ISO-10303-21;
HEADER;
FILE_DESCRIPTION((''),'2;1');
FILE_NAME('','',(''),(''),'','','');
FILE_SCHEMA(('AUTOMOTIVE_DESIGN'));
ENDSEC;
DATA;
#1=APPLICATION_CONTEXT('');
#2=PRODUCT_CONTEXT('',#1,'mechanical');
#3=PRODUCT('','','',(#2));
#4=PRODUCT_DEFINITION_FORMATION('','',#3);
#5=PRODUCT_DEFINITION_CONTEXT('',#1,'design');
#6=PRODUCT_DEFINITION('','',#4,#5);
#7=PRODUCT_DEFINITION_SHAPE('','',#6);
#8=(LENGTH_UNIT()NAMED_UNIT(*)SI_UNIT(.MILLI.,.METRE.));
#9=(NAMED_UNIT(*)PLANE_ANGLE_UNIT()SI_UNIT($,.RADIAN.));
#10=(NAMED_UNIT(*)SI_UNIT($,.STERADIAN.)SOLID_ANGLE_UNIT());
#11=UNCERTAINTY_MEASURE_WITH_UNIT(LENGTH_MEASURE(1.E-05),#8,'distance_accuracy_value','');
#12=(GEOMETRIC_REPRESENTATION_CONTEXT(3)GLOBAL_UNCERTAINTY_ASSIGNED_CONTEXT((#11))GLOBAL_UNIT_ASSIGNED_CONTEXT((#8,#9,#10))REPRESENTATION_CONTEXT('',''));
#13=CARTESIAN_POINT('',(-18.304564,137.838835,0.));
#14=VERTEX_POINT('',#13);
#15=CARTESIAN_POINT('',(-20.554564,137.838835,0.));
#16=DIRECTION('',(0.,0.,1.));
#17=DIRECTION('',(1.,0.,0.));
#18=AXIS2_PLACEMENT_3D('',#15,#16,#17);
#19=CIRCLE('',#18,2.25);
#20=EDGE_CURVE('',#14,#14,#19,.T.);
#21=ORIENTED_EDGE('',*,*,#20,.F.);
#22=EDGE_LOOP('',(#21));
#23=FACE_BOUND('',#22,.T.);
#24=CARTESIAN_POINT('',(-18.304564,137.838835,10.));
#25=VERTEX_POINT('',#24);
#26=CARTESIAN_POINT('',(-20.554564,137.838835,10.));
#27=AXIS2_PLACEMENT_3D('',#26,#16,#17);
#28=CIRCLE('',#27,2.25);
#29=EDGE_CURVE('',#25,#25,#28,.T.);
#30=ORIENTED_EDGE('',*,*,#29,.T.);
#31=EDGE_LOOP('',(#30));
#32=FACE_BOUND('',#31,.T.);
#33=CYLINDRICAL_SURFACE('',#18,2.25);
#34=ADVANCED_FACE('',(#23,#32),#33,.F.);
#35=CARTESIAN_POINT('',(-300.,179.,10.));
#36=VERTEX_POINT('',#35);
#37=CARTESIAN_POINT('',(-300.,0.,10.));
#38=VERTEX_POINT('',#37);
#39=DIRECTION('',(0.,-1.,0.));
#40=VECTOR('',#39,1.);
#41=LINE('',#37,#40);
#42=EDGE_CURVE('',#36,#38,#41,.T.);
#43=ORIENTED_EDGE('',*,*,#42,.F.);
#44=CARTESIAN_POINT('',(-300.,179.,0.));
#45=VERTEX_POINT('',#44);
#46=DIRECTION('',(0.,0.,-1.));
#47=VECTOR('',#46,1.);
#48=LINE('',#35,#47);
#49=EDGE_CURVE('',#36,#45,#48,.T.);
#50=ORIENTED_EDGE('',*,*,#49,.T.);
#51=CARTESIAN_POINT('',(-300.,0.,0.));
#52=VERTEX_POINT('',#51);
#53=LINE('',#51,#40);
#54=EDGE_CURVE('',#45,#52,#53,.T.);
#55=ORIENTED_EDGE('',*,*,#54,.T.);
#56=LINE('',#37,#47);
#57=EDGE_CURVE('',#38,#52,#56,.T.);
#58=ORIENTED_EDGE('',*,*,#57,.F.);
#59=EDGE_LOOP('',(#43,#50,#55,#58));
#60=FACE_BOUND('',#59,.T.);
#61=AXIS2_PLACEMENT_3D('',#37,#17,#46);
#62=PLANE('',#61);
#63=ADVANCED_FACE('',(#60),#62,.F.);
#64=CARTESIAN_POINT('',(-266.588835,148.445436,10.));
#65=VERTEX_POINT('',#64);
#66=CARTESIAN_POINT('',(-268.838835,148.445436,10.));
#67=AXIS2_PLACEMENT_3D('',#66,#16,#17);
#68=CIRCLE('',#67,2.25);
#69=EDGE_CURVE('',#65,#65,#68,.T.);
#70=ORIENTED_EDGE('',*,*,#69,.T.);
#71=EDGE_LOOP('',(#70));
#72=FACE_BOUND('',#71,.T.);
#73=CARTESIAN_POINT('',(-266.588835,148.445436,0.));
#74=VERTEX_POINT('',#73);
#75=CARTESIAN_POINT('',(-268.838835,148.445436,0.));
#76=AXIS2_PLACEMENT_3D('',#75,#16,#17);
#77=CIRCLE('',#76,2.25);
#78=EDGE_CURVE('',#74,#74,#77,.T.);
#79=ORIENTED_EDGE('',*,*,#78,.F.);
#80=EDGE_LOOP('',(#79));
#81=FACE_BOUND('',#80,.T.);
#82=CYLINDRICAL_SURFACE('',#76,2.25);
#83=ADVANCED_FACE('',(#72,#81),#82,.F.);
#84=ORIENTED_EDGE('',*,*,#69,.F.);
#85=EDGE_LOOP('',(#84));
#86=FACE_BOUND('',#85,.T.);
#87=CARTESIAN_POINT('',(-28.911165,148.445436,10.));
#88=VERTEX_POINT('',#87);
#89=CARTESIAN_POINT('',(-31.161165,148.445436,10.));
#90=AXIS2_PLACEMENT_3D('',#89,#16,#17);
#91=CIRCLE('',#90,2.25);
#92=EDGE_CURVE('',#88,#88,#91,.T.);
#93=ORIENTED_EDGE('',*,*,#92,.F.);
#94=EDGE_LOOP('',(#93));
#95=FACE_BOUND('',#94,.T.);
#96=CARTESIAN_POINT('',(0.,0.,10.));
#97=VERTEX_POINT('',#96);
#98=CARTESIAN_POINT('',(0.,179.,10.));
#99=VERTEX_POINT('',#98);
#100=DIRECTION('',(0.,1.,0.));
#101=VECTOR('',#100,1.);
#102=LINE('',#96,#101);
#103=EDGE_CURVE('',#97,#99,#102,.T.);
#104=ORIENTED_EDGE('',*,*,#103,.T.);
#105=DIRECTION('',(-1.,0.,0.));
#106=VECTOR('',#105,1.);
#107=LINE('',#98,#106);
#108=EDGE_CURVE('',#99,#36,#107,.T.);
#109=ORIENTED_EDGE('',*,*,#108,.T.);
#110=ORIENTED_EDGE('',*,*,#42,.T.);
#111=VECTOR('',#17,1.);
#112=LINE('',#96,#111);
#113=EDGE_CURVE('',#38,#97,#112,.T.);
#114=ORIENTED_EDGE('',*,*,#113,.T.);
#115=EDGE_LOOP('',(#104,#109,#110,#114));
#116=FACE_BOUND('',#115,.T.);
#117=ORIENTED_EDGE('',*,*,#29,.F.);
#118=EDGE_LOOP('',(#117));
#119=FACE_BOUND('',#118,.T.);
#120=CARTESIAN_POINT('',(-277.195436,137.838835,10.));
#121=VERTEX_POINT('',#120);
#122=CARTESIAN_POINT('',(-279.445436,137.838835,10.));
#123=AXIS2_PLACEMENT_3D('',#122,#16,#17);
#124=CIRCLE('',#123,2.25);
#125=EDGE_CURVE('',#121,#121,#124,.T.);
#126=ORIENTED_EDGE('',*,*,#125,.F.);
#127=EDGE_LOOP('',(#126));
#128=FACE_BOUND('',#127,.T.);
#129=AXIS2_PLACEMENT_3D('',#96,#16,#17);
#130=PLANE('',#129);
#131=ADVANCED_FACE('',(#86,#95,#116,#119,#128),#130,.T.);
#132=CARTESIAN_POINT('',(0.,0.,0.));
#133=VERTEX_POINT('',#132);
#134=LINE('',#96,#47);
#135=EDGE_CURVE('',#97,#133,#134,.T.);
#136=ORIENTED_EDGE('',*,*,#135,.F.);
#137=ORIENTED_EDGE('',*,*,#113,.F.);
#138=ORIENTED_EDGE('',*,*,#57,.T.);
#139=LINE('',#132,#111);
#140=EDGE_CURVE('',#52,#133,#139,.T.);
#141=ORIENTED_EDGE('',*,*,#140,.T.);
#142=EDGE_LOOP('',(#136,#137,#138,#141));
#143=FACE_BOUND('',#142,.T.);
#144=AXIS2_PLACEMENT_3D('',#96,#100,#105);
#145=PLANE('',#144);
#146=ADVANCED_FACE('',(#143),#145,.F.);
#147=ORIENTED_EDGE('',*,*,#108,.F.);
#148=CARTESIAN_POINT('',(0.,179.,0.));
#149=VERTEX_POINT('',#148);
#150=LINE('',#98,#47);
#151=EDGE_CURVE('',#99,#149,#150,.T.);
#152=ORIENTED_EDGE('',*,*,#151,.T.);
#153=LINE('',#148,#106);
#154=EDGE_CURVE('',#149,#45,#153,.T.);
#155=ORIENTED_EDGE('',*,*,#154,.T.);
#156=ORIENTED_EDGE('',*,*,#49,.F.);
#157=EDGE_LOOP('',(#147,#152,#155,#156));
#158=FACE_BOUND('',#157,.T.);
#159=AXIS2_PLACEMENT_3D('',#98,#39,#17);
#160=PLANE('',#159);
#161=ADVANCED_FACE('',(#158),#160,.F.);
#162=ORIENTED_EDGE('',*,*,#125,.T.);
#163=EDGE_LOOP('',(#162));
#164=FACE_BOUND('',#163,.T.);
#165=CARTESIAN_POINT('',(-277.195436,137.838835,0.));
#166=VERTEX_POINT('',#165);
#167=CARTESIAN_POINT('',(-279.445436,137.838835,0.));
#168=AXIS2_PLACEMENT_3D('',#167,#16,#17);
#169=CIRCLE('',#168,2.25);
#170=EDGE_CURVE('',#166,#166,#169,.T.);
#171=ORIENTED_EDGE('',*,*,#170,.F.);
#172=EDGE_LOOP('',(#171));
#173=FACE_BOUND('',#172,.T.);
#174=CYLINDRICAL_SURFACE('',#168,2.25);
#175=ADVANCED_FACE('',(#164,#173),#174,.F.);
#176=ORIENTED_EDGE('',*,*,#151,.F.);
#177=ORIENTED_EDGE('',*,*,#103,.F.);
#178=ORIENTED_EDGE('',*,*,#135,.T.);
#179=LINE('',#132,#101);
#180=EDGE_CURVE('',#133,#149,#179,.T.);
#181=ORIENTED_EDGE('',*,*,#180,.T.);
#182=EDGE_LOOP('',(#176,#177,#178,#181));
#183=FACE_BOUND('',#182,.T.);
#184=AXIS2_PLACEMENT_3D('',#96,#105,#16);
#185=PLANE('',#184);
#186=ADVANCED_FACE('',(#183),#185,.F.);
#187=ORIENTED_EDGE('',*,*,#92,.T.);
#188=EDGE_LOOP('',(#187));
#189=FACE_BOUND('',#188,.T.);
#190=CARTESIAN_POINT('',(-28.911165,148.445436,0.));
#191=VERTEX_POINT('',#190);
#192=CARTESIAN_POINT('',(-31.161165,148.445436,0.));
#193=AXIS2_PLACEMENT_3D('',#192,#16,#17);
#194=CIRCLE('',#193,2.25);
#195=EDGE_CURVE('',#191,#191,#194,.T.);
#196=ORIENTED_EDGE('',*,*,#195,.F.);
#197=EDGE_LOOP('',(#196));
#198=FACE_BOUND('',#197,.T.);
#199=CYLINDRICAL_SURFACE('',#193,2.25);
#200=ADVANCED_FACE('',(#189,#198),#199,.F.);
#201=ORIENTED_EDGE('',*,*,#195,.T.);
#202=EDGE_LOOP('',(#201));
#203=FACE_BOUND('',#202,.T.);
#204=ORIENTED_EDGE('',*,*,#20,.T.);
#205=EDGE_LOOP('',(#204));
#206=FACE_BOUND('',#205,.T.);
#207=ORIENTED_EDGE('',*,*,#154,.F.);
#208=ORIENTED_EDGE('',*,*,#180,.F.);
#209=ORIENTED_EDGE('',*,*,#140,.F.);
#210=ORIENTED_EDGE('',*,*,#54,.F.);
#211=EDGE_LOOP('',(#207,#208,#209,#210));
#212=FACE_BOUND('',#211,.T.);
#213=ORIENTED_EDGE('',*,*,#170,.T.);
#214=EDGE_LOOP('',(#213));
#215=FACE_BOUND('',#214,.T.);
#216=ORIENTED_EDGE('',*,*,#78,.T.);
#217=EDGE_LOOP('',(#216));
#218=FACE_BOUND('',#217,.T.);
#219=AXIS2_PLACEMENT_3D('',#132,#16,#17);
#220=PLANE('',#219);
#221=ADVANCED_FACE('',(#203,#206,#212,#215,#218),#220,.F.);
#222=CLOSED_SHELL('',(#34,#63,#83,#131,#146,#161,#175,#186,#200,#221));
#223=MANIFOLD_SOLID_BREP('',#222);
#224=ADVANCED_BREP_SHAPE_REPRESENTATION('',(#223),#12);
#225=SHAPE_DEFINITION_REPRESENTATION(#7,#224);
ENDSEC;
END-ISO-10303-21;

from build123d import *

# Parameters (mm, degrees)
SCHIZZO1_W                   = 300
SCHIZZO1_H                   = 179
ESTRUSIONE_ESTRUSIONE1_DEPTH = 10
SCHIZZO3_R                   = 2.25
TAGLIO_ESTRUSIONE2_DEPTH     = 10


with BuildPart() as part:
    # Schizzo1 → Estrusione-Estrusione1 (new body)
    with BuildSketch(Plane.XY):
        with Locations((-150, 89.5)):
            Rectangle(SCHIZZO1_W, SCHIZZO1_H)
    extrude(amount=ESTRUSIONE_ESTRUSIONE1_DEPTH)

    # Schizzo3 → Taglio-Estrusione2 (cut)
    with BuildSketch(Plane.XY.offset(10)):
        with Locations((-31.161165235, 148.445436483)):
            Circle(SCHIZZO3_R)
        with Locations((-20.554563517, 137.838834765)):
            Circle(SCHIZZO3_R)
        with Locations((-268.838834765, 148.445436483)):
            Circle(SCHIZZO3_R)
        with Locations((-279.445436483, 137.838834765)):
            Circle(SCHIZZO3_R)
    extrude(amount=-TAGLIO_ESTRUSIONE2_DEPTH, mode=Mode.SUBTRACT)


solid = part.part
